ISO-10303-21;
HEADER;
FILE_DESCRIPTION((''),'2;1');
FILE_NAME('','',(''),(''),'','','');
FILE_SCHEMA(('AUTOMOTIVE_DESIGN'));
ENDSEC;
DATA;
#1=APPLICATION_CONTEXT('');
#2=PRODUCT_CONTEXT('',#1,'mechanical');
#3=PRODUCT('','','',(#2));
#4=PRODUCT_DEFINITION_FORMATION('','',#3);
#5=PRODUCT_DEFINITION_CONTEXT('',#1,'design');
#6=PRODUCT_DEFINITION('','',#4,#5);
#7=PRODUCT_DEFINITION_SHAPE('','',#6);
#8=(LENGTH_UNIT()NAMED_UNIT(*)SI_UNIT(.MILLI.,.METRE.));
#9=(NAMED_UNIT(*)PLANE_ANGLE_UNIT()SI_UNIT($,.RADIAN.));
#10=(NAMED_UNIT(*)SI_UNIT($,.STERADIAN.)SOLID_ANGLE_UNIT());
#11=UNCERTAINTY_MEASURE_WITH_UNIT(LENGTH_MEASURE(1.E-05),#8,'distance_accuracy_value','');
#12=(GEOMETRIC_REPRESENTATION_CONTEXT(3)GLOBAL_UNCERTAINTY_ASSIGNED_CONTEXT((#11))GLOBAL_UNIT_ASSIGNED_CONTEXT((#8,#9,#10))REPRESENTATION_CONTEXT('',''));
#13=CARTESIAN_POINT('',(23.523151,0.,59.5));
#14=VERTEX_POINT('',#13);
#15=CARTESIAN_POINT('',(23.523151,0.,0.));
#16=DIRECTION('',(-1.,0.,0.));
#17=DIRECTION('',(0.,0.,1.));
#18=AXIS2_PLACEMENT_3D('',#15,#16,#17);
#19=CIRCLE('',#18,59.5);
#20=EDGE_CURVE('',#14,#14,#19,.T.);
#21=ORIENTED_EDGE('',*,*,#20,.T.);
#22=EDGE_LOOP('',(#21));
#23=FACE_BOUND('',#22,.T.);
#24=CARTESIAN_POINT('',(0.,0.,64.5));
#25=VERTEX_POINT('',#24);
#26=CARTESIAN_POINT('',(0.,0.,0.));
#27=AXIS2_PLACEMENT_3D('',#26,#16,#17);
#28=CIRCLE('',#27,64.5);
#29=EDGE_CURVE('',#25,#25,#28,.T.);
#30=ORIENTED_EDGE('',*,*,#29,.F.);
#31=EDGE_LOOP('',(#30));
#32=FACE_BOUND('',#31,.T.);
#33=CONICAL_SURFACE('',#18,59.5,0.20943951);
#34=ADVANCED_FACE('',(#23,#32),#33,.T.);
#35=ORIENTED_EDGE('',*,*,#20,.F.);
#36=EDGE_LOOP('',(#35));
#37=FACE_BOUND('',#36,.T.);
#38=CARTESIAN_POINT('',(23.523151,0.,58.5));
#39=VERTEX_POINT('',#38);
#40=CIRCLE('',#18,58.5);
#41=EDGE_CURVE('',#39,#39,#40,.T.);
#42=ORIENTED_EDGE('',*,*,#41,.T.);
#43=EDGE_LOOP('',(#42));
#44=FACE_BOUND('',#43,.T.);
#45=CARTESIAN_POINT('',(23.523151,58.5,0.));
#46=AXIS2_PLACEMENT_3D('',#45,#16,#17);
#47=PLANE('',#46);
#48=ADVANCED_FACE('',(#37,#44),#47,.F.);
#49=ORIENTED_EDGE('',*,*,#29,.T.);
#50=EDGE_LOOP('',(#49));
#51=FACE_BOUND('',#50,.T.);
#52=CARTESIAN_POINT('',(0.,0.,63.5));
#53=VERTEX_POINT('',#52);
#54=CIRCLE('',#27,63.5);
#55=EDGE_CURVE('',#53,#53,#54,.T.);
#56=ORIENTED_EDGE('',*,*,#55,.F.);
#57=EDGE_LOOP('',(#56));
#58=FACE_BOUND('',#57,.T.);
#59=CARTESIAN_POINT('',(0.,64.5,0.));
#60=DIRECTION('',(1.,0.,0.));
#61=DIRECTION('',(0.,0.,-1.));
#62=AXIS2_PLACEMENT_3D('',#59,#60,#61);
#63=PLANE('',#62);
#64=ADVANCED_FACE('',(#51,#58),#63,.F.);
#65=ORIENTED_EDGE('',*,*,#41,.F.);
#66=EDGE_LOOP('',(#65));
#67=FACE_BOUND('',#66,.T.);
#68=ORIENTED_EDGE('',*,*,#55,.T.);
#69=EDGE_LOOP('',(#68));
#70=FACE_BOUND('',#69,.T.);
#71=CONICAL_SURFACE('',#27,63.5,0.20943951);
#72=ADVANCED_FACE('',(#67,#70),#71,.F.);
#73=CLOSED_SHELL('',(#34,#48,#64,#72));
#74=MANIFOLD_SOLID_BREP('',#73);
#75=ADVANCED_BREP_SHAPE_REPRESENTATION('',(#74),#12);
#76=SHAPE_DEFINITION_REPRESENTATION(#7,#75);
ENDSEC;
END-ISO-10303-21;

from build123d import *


with BuildPart() as part:
    # Sketch2 → Revolve1 (revolve)
    with BuildSketch(Plane.XY, mode=Mode.PRIVATE) as revolve1_sk:
        Polygon((0, 64.5), (0, 63.5), (23.523150547, 58.5), (23.523150547, 59.5), align=None)
    revolve(revolve1_sk.sketch.rotate(Axis((0, 0, 0), (1, 0, 0)), 90), axis=Axis((0, 0, 0), (1, 0, 0)))


solid = part.part
